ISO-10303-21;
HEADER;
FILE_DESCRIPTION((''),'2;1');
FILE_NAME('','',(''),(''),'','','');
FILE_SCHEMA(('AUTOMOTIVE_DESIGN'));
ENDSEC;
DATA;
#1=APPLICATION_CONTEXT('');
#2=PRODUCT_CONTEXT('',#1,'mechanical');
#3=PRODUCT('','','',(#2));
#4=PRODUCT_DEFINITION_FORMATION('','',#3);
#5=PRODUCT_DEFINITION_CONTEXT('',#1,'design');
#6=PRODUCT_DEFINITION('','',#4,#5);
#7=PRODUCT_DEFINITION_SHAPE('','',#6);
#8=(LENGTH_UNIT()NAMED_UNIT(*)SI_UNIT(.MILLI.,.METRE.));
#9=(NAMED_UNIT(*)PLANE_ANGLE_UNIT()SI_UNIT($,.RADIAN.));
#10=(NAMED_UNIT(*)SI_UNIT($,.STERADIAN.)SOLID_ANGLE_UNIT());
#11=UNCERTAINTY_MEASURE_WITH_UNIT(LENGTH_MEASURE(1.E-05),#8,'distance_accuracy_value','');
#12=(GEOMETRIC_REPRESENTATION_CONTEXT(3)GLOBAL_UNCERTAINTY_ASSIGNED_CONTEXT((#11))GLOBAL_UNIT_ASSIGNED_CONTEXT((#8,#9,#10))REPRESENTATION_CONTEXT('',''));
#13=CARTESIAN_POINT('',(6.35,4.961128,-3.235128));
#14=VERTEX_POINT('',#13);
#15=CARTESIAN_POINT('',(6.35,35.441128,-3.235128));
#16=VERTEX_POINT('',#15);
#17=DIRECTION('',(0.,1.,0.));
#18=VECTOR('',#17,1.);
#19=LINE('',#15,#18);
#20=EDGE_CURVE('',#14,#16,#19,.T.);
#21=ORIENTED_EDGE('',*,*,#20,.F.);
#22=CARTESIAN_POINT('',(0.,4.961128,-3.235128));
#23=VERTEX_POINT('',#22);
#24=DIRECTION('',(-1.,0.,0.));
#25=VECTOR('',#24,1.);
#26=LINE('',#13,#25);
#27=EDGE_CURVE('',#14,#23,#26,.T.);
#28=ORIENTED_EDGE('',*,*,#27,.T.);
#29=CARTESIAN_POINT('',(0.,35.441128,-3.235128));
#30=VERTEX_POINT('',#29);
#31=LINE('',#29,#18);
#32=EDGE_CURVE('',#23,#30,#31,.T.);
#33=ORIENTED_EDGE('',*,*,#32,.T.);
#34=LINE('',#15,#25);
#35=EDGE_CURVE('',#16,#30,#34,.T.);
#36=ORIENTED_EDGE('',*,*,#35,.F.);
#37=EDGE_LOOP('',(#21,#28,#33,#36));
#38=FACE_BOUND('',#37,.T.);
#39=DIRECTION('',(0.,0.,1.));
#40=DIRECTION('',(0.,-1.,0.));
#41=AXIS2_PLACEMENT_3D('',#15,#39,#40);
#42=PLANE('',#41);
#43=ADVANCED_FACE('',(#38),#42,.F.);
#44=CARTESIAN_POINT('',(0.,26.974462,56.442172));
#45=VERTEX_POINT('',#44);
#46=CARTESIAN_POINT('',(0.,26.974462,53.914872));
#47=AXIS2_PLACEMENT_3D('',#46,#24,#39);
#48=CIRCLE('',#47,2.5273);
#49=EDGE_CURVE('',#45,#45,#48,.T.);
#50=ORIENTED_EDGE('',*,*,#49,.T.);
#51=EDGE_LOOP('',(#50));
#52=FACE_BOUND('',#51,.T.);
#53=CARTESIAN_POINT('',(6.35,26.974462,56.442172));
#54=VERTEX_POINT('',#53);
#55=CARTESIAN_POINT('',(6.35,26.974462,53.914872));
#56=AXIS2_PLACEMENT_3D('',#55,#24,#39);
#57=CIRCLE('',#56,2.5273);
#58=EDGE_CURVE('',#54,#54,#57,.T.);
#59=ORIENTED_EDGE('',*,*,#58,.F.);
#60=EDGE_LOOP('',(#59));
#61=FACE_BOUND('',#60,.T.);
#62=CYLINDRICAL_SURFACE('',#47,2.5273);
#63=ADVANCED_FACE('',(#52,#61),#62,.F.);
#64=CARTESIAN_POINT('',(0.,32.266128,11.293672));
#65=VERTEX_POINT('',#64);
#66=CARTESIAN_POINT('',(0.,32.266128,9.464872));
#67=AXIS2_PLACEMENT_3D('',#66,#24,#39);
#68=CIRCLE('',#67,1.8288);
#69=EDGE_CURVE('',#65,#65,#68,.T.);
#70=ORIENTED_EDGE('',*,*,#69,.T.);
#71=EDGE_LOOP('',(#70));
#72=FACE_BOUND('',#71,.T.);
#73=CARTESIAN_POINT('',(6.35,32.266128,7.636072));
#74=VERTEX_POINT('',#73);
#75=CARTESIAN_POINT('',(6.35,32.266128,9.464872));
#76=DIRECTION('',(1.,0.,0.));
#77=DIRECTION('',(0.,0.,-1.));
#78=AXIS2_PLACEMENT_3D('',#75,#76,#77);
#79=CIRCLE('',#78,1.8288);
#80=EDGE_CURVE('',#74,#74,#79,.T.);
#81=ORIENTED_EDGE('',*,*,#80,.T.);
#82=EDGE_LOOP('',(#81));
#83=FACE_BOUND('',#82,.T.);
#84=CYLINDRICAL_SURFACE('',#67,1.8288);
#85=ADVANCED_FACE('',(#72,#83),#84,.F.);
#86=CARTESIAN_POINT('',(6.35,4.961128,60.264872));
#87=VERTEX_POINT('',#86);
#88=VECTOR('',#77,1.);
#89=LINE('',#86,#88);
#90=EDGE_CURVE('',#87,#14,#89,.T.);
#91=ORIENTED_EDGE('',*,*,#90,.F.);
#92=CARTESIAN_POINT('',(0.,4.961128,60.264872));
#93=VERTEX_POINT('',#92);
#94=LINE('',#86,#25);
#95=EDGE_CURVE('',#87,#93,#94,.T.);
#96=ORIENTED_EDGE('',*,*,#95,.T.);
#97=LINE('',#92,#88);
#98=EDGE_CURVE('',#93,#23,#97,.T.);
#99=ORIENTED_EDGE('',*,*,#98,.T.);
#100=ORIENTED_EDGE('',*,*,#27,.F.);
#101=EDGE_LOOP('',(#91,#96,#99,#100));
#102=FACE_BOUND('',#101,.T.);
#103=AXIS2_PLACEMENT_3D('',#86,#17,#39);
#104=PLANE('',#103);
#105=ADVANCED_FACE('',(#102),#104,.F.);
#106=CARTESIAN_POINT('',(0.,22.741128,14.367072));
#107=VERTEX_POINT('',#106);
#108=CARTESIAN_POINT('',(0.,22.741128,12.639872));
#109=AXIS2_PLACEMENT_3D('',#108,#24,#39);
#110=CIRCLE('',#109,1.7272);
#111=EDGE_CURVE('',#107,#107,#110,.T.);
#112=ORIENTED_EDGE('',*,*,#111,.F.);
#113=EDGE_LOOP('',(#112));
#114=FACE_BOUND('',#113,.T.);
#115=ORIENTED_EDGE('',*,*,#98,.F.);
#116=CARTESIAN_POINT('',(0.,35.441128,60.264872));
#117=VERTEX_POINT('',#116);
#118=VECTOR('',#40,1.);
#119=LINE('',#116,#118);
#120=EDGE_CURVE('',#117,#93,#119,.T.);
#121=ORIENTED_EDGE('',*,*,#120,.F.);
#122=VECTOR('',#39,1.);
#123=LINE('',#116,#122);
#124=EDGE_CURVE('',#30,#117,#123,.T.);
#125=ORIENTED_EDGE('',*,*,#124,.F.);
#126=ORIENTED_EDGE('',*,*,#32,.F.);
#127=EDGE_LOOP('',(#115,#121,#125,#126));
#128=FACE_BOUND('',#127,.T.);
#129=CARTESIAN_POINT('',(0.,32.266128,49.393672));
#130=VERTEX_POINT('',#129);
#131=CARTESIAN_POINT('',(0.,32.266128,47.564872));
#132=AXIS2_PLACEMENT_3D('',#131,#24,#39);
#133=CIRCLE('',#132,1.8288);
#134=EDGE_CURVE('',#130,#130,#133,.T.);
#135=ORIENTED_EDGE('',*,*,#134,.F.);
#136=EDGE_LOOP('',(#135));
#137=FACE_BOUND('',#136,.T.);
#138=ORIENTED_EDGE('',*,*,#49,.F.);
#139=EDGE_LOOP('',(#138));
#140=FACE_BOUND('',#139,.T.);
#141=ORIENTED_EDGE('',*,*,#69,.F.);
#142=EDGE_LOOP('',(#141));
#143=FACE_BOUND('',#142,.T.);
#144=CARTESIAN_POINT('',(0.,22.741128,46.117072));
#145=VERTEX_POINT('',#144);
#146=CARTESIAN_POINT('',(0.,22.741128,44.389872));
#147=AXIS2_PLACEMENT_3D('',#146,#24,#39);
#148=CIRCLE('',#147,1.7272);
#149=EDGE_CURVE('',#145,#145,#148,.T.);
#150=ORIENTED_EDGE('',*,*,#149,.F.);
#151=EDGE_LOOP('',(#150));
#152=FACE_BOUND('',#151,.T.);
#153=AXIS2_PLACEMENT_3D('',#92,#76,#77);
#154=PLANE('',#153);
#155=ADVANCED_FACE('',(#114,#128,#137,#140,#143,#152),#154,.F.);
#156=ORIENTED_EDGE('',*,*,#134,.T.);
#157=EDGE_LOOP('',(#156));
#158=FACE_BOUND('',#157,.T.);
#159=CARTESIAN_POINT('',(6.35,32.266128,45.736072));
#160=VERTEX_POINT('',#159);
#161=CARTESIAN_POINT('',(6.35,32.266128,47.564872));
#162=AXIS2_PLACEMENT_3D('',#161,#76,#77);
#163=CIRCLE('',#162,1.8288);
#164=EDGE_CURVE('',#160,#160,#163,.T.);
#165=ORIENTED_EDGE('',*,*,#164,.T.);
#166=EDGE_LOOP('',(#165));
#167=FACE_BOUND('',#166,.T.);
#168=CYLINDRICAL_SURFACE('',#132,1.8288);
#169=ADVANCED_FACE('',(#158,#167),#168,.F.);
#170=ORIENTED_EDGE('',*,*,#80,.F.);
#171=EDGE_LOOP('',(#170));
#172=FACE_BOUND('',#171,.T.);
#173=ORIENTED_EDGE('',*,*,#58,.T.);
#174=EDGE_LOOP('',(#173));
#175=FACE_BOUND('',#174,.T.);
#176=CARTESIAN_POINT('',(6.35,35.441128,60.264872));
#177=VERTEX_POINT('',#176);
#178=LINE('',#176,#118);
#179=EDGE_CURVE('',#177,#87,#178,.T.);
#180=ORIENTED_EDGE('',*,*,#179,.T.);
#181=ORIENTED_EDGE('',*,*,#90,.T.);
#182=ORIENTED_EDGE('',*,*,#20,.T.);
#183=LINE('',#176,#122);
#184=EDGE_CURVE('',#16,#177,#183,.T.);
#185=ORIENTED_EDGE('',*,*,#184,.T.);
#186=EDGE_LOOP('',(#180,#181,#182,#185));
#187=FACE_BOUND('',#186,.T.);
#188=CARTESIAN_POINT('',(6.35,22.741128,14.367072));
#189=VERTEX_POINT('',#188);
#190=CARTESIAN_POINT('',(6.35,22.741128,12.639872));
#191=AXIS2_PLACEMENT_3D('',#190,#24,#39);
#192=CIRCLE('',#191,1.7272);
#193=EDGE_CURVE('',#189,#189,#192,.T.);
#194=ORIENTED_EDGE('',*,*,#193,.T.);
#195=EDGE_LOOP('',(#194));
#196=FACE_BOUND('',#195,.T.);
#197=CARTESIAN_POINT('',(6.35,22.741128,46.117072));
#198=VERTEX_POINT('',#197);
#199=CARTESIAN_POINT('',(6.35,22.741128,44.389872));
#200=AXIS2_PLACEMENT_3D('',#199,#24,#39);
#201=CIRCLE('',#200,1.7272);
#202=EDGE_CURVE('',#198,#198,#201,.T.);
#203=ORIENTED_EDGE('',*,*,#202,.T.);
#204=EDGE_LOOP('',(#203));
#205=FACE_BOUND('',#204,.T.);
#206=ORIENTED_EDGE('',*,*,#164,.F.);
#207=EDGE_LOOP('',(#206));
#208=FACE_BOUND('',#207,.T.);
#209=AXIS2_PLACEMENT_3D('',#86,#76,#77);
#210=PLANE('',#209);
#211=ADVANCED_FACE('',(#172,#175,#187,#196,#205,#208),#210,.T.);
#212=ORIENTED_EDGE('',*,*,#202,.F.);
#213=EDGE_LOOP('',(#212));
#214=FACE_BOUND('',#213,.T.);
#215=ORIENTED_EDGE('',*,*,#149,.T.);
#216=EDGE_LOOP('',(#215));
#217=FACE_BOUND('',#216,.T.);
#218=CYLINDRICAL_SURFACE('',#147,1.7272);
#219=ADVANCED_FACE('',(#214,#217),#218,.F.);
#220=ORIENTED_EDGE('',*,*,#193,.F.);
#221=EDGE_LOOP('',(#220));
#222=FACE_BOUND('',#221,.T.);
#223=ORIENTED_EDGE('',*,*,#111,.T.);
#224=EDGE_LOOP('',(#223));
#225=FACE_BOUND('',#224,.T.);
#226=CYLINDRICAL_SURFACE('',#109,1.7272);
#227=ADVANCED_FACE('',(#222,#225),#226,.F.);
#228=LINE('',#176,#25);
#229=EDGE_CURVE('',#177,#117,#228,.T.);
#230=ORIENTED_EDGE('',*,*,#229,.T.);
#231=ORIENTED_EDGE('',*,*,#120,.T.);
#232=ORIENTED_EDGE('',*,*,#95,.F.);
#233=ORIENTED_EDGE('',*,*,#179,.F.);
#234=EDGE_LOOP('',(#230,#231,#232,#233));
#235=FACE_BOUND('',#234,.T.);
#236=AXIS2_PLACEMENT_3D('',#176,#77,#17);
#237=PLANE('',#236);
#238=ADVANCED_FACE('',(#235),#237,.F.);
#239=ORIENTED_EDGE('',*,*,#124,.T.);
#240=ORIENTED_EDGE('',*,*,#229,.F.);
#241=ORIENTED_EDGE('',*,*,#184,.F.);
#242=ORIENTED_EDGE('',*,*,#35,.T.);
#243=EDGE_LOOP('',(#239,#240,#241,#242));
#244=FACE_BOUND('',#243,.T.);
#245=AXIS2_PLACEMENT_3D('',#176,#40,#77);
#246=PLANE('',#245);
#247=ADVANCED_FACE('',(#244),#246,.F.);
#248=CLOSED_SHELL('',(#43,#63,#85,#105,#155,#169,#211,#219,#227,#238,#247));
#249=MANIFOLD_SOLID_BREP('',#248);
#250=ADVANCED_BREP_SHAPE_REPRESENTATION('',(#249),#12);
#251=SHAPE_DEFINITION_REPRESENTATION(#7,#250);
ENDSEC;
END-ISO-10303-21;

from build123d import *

# Parameters (mm, degrees)
SKETCH1_W                                  = 63.5
SKETCH1_H                                  = 30.48
BOSS_EXTRUDE1_DEPTH                        = 6.35
TAP_DRILL_FOR_8_32_TAP1_D                  = 3.4544
TAP_DRILL_FOR_8_32_TAP1_DEPTH              = 6.35
TAP_DRILL_FOR_8_32_TAP1_TIP                = 1.037806461
F_6_CLOSE_CLEARANCE_HOLE_COUNTERSINK_D     = 3.6576
F_6_CLOSE_CLEARANCE_HOLE_COUNTERSINK_DEPTH = 6.35
F_8_THROUGH_HOLE_D                         = 5.0546
F_8_THROUGH_HOLE_DEPTH                     = 6.35
F_8_THROUGH_HOLE_TIP                       = 1.518555042


with BuildPart() as part:
    # Sketch1 → Boss-Extrude1 (new body)
    with BuildSketch(Plane(origin=(0, 0, 0), x_dir=(0, 0, -1), z_dir=(1, 0, 0))):
        with Locations((-28.514872299, 20.201128374)):
            Rectangle(SKETCH1_W, SKETCH1_H)
    extrude(amount=BOSS_EXTRUDE1_DEPTH)

    # Tap Drill for #8-32 Tap1
    with Locations(Plane.ZY):
        with Locations((12.639872299, 22.741128374), (44.389872299, 22.741128374)):
            Hole(TAP_DRILL_FOR_8_32_TAP1_D / 2, depth=TAP_DRILL_FOR_8_32_TAP1_DEPTH)
            with Locations((0, 0, -(TAP_DRILL_FOR_8_32_TAP1_DEPTH + TAP_DRILL_FOR_8_32_TAP1_TIP / 2))):  # 118° drill point
                Cone(0, TAP_DRILL_FOR_8_32_TAP1_D / 2, TAP_DRILL_FOR_8_32_TAP1_TIP, mode=Mode.SUBTRACT)

    # #6 Close clearance hole, countersink
    with Locations(Plane.ZY):
        with Locations((9.464872299, 32.266128374), (47.564872299, 32.266128374)):
            Hole(F_6_CLOSE_CLEARANCE_HOLE_COUNTERSINK_D / 2, depth=F_6_CLOSE_CLEARANCE_HOLE_COUNTERSINK_DEPTH)

    # #8 Through hole
    with Locations(Plane.ZY):
        with Locations((53.914872299, 26.974461707)):
            Hole(F_8_THROUGH_HOLE_D / 2, depth=F_8_THROUGH_HOLE_DEPTH)
            with Locations((0, 0, -(F_8_THROUGH_HOLE_DEPTH + F_8_THROUGH_HOLE_TIP / 2))):  # 118° drill point
                Cone(0, F_8_THROUGH_HOLE_D / 2, F_8_THROUGH_HOLE_TIP, mode=Mode.SUBTRACT)


solid = part.part
